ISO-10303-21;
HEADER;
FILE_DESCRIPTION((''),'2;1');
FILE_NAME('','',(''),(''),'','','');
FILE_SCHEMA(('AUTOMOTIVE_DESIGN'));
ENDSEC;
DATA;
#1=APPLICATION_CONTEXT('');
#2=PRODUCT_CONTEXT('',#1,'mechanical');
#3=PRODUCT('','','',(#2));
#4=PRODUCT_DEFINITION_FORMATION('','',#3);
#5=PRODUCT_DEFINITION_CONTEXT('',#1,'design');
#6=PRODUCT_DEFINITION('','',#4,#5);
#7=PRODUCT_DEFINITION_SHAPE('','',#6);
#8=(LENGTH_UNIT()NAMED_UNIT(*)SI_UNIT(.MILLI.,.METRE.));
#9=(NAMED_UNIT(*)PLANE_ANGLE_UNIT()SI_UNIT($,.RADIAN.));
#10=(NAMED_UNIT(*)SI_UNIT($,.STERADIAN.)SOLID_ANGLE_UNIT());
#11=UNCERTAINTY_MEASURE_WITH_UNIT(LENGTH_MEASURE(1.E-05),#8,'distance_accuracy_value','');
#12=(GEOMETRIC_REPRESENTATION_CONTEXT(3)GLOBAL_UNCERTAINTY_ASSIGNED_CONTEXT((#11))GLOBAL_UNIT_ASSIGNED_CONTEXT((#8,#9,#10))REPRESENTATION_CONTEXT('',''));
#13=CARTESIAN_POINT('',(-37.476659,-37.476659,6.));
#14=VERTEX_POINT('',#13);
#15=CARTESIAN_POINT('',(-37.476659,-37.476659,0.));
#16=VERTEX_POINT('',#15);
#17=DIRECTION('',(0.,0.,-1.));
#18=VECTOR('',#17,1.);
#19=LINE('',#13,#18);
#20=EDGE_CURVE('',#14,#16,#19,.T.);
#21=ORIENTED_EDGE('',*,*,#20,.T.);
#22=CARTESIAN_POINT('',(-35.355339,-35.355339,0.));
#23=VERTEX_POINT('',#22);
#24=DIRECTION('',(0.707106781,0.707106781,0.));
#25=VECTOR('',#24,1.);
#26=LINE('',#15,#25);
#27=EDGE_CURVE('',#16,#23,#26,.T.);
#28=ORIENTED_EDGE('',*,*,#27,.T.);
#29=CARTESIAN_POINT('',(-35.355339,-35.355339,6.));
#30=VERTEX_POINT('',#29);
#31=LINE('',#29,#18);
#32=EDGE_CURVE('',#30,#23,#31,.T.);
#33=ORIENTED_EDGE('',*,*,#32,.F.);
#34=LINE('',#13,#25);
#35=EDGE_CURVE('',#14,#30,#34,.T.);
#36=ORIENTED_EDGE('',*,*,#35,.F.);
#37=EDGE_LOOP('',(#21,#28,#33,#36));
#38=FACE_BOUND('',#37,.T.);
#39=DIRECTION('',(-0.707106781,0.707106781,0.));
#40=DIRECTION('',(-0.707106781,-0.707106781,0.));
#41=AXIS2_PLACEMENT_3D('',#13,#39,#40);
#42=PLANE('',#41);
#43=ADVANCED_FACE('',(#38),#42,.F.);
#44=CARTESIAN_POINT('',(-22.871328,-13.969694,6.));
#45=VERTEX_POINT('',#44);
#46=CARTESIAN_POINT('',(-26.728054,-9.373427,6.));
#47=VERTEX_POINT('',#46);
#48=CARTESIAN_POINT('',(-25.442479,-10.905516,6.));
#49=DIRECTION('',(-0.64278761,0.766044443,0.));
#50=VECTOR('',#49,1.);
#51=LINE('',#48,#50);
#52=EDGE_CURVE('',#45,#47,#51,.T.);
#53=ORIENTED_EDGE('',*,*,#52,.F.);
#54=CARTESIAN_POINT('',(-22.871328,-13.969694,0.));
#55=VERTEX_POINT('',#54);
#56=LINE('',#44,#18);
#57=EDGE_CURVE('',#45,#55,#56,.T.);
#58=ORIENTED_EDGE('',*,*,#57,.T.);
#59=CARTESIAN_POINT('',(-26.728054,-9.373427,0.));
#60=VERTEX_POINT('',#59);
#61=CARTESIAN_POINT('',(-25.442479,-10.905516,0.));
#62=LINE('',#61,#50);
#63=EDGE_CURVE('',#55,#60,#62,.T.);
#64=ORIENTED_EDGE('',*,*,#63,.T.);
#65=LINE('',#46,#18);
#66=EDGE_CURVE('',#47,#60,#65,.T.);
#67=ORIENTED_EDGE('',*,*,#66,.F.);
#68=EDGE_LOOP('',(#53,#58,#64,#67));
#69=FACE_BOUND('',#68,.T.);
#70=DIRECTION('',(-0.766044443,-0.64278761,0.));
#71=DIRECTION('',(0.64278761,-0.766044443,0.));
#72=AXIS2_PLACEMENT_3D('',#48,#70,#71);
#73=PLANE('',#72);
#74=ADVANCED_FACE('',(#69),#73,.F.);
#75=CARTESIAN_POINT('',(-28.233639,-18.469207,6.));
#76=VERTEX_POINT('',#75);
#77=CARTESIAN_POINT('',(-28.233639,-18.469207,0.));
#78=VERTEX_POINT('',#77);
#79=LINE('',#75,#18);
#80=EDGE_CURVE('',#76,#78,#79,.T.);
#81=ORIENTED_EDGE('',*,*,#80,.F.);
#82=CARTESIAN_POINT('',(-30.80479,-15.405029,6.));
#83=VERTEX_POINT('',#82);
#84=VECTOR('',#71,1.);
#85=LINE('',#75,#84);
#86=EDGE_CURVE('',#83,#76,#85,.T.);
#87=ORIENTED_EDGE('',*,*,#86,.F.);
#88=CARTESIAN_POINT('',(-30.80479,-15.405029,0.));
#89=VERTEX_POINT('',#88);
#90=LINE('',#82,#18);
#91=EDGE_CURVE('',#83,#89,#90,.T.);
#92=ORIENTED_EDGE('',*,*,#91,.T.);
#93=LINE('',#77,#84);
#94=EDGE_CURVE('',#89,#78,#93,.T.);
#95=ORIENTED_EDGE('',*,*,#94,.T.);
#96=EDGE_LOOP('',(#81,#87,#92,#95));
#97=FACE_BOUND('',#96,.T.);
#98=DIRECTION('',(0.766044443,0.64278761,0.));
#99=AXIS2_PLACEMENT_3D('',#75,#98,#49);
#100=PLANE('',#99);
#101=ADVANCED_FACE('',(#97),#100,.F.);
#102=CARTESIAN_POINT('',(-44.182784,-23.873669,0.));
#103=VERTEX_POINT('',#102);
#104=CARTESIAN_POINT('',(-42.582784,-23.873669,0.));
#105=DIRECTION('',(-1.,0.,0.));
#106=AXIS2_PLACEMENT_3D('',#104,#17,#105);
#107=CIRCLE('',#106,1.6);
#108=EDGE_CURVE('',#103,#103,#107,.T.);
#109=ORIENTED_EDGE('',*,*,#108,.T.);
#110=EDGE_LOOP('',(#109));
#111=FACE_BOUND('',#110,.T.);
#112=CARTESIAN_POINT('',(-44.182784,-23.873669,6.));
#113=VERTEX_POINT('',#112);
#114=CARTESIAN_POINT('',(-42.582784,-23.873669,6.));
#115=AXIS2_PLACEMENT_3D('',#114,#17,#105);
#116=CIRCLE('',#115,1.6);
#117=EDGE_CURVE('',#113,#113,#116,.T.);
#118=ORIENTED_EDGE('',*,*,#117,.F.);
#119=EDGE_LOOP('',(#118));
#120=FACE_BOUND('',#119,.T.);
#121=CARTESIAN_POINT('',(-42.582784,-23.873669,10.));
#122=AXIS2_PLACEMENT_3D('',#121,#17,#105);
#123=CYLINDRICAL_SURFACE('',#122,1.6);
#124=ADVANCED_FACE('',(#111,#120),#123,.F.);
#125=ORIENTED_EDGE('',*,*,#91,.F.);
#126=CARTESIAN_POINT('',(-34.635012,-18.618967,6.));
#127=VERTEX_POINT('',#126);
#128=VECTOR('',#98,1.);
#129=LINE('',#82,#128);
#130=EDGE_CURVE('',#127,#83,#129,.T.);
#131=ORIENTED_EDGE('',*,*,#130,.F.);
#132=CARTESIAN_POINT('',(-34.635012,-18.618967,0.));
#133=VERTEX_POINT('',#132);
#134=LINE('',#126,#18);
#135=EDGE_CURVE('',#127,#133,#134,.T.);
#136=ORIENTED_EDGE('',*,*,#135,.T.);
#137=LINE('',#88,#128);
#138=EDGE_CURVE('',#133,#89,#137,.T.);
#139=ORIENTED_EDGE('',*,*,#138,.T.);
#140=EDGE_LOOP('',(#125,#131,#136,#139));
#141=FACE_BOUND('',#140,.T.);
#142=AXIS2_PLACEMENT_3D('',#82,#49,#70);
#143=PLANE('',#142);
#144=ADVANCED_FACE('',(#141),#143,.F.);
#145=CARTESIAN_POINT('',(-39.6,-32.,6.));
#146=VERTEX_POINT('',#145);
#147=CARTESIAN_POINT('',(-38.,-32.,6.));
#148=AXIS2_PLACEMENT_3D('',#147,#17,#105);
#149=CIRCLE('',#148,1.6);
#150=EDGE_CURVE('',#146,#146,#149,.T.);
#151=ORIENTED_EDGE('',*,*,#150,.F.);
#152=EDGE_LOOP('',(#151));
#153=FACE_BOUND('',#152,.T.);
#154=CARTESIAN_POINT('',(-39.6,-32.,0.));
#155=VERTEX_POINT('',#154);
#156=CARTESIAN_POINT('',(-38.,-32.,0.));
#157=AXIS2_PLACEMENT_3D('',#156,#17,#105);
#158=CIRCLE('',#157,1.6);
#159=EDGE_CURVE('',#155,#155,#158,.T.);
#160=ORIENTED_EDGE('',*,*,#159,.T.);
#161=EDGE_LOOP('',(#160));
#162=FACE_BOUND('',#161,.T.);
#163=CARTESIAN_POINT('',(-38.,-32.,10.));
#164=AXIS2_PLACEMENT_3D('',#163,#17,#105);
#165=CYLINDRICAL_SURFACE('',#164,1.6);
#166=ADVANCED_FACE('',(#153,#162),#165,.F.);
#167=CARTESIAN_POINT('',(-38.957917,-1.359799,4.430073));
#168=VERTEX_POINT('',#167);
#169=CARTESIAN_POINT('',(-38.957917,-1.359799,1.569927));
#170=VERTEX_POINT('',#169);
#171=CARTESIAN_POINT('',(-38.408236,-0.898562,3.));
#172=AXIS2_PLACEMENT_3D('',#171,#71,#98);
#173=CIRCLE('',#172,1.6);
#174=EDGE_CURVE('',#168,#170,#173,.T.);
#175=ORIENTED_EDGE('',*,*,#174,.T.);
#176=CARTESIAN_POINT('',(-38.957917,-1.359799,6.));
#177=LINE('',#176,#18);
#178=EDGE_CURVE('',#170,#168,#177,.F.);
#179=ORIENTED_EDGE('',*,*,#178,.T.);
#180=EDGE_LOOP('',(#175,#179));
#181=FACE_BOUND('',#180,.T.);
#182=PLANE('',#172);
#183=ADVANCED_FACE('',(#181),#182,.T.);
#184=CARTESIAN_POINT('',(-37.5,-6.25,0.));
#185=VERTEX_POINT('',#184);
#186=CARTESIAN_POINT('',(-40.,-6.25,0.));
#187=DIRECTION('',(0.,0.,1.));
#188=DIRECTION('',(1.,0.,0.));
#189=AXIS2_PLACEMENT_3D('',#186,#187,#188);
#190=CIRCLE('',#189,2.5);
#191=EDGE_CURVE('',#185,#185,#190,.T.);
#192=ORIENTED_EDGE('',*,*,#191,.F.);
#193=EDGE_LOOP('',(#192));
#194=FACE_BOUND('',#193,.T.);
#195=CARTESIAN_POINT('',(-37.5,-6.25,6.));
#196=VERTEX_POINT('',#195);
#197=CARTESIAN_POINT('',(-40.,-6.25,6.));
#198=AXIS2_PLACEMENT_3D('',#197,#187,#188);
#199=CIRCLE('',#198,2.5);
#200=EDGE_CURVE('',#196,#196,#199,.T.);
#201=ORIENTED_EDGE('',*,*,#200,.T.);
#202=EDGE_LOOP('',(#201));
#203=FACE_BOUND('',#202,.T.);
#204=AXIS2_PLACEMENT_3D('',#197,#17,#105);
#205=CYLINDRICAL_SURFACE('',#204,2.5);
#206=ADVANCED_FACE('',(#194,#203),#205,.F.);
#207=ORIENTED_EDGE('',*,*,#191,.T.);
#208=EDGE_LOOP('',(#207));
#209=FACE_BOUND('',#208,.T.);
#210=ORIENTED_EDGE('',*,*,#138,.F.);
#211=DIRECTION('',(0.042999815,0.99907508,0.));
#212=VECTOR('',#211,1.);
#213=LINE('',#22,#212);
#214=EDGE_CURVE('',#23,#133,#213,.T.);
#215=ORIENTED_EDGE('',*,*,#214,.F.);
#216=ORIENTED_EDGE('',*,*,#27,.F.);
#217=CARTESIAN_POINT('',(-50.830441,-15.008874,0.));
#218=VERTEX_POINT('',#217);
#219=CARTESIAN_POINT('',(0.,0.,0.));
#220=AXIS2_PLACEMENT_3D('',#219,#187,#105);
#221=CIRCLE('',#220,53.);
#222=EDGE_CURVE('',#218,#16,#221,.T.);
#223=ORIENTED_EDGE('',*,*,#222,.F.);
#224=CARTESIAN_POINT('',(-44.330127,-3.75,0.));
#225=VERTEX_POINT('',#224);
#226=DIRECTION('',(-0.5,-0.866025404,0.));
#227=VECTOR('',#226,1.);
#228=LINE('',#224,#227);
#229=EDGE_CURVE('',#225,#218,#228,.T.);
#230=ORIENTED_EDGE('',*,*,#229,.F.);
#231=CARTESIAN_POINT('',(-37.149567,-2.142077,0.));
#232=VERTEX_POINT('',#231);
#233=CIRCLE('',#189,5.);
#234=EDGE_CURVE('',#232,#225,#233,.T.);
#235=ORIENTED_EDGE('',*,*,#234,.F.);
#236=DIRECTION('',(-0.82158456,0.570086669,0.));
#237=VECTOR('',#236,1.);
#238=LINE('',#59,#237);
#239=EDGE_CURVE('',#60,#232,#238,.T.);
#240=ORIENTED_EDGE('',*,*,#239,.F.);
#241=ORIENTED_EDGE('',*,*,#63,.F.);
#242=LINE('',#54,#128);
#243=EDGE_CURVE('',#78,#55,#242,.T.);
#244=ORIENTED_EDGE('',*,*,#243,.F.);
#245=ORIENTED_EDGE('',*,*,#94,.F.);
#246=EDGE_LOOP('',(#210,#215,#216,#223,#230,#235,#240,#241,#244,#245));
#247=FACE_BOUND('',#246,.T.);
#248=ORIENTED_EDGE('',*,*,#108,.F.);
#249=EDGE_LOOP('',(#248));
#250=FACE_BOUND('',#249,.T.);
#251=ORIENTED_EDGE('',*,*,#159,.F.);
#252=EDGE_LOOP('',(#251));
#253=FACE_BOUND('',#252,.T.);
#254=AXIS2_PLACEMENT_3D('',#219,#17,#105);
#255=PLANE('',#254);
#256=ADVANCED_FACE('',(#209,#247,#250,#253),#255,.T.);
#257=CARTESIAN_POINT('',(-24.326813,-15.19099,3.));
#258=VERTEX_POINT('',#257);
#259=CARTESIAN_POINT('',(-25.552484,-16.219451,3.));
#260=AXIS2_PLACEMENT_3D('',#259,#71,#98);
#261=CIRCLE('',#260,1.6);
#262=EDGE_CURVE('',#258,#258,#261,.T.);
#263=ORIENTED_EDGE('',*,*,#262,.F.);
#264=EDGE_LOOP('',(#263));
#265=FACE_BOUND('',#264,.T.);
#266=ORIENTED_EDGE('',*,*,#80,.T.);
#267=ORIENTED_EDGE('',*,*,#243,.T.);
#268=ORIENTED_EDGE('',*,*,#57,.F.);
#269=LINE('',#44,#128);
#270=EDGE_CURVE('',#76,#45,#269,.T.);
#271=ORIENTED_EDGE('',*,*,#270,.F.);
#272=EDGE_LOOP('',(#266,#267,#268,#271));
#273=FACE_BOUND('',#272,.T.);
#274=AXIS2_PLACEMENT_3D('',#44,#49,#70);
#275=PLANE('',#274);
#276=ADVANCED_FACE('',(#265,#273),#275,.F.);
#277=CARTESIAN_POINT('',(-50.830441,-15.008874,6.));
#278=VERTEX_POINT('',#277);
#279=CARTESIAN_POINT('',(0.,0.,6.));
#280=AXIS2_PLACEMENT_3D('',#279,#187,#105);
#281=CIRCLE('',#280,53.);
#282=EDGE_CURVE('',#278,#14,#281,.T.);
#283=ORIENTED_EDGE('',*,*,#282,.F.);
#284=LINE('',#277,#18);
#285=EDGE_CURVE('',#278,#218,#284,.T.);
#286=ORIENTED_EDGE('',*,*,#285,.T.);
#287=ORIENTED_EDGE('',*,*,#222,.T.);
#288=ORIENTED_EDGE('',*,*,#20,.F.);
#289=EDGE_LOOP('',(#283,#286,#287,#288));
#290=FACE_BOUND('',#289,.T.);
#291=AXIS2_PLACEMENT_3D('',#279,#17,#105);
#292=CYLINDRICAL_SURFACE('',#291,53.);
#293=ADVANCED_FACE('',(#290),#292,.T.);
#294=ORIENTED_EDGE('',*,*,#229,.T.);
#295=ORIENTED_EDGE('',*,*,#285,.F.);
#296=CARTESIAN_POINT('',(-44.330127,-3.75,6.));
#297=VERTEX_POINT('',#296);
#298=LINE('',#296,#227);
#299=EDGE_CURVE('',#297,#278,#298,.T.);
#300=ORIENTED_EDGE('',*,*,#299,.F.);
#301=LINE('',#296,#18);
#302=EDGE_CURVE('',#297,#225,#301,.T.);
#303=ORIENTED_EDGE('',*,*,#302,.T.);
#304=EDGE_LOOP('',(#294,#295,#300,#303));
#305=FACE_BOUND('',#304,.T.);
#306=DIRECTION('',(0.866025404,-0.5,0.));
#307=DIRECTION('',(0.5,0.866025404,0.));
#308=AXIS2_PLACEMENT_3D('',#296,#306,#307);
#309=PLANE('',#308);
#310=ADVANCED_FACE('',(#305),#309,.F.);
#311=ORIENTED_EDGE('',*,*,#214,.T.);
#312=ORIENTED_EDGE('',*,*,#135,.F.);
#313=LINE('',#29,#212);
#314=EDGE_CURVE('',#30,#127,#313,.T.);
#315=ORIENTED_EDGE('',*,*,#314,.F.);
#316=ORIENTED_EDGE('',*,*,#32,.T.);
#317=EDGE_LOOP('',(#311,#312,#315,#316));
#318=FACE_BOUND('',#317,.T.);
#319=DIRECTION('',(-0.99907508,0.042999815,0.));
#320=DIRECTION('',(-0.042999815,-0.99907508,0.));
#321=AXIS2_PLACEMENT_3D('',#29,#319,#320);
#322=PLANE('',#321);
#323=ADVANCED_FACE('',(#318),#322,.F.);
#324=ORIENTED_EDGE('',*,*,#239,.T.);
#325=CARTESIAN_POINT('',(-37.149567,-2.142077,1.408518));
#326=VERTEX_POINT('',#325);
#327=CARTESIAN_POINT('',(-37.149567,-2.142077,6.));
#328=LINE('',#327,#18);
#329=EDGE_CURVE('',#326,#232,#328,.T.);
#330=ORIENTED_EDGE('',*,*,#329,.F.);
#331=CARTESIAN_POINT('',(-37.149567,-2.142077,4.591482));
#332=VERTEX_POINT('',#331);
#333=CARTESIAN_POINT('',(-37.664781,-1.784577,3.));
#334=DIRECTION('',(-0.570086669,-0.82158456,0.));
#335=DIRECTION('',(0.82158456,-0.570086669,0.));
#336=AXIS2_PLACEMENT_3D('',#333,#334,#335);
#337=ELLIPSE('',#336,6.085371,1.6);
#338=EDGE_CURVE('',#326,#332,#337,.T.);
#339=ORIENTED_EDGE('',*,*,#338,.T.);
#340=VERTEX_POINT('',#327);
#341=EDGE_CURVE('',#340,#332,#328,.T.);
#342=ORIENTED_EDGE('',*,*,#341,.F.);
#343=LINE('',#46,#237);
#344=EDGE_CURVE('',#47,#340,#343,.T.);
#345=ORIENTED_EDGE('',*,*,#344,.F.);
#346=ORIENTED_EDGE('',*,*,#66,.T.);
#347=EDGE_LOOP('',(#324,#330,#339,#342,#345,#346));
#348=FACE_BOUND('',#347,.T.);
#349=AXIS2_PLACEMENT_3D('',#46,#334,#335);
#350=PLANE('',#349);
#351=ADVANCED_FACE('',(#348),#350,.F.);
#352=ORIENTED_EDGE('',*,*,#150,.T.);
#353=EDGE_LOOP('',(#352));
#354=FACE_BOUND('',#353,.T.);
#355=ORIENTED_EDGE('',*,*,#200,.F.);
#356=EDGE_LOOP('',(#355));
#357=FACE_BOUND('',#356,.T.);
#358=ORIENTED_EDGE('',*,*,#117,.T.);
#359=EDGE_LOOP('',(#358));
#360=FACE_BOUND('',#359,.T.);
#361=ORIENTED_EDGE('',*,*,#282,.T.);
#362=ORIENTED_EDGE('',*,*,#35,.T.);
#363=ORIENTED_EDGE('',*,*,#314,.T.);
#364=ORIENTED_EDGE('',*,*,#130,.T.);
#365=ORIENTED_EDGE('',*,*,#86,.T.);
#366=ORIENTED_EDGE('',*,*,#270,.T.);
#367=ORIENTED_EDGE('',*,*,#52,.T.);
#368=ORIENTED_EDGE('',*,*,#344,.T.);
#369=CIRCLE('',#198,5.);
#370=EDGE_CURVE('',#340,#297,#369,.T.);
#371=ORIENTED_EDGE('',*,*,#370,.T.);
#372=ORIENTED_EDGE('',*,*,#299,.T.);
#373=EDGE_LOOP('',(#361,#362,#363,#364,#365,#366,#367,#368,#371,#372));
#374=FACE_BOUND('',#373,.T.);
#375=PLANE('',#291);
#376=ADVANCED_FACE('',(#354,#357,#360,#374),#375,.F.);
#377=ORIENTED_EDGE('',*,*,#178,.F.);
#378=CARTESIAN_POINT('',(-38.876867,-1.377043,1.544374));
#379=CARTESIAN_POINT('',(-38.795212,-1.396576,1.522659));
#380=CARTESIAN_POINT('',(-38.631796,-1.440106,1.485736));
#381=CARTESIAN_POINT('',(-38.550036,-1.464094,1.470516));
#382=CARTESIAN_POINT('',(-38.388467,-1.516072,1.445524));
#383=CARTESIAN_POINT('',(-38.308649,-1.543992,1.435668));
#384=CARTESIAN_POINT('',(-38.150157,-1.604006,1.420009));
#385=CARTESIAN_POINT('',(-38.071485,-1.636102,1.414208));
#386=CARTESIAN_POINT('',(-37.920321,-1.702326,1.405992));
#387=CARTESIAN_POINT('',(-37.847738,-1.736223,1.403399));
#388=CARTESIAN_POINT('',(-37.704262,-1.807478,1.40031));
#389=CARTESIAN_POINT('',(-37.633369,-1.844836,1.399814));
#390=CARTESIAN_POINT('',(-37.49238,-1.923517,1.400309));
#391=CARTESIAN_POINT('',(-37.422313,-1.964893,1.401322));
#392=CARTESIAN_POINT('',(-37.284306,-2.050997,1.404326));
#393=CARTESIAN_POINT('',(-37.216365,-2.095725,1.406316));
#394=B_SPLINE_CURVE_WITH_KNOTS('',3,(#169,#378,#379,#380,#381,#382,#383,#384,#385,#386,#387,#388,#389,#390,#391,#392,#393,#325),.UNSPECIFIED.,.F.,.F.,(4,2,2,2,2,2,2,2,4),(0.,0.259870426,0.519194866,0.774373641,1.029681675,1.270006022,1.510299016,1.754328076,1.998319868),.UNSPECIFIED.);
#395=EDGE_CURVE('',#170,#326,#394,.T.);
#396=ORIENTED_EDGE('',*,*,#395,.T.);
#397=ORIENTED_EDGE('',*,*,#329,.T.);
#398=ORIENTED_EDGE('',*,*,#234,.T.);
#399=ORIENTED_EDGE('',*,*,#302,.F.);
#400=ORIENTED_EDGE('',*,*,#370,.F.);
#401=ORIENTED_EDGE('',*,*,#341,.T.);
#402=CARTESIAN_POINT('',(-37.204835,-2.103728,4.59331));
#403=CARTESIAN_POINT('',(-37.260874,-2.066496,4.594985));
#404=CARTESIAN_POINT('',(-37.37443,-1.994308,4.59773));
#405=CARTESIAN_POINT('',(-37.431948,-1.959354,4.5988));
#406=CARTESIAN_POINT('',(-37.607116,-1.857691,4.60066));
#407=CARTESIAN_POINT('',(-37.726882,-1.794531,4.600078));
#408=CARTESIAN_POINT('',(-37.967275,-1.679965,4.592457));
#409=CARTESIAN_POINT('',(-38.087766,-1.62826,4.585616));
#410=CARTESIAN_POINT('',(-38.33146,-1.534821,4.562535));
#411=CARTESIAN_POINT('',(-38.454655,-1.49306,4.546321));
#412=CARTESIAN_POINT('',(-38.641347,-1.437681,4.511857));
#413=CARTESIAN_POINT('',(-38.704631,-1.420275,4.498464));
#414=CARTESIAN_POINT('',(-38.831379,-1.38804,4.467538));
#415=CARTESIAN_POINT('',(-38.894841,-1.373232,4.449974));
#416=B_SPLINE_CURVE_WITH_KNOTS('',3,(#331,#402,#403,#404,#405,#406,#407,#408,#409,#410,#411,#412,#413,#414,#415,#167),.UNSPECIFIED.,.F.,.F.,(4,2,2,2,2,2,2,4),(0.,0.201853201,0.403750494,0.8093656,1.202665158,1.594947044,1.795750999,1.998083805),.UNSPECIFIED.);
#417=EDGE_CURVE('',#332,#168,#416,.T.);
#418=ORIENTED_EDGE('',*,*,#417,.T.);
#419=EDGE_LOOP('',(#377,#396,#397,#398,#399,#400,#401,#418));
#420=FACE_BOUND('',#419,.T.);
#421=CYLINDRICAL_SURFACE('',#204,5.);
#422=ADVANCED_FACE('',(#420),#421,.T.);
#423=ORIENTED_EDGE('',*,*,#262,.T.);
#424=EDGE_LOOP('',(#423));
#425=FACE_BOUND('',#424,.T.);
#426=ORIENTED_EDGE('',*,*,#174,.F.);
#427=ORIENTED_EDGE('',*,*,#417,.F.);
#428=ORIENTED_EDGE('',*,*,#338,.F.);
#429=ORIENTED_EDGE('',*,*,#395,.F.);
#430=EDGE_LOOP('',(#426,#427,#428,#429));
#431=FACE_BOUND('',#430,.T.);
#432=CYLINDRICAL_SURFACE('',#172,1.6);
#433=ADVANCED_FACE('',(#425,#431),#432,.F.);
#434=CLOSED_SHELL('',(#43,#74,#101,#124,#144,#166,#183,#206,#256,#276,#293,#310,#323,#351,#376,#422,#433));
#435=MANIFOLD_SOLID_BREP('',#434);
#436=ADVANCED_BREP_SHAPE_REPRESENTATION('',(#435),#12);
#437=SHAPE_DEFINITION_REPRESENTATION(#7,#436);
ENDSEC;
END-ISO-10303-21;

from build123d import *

# Parameters (mm, degrees)
SKETCH_2_R          = 2.5
EXTRUDE_1_DEPTH     = 6
SKETCH_3_R          = 1.6
CUT_EXTRUDE_1_DEPTH = 10
SKETCH_4_R          = 1.6
CUT_EXTRUDE_2_DEPTH = 20


with BuildPart() as part:
    # 草图2 → 凸台-拉伸1 (new body)
    with BuildSketch(Plane.XY):
        with BuildLine():
            Line((-37.476659403, -37.476659403), (-35.355339059, -35.355339059))
            Line((-35.355339059, -35.355339059), (-34.635011938, -18.618967428))
            Line((-34.635011938, -18.618967428), (-30.804789722, -15.40502938))
            Line((-30.804789722, -15.40502938), (-28.233639283, -18.469207152))
            Line((-28.233639283, -18.469207152), (-22.871328181, -13.969693884))
            Line((-22.871328181, -13.969693884), (-25.44247862, -10.905516112))
            Line((-25.44247862, -10.905516112), (-26.72805384, -9.373427226))
            Line((-26.72805384, -9.373427226), (-37.149566653, -2.1420772))
            ThreePointArc((-37.149566653, -2.1420772), (-41.092578269, -1.370832784), (-44.330127019, -3.75))
            Line((-44.330127019, -3.75), (-50.830440783, -15.008873704))
            ThreePointArc((-50.830440783, -15.008873704), (-45.560249498, -27.07884166), (-37.476659403, -37.476659403))
        make_face()
        with Locations((-40, -6.25)):
            Circle(SKETCH_2_R, mode=Mode.SUBTRACT)
    extrude(amount=EXTRUDE_1_DEPTH)

    # 草图3 → 切除-拉伸1 (cut)
    with BuildSketch(Plane(origin=(0, 0, 0), x_dir=(-1, 0, 0), z_dir=(0, 0, -1))):
        with Locations((42.582783582, -23.873668727)):
            Circle(SKETCH_3_R)
        with Locations((38, -32)):
            Circle(SKETCH_3_R)
    extrude(amount=-CUT_EXTRUDE_1_DEPTH, mode=Mode.SUBTRACT)

    # 草图4 → 切除-拉伸2 (cut)
    with BuildSketch(Plane(origin=(-2.571150439, 3.064177772, 0), x_dir=(0.7660444431189767, 0.642787609686541, 0), z_dir=(0.642787609686541, -0.7660444431189767, 0))):
        with Locations((-30, 3)):
            Circle(SKETCH_4_R)
    extrude(amount=-CUT_EXTRUDE_2_DEPTH, mode=Mode.SUBTRACT)


solid = part.part
